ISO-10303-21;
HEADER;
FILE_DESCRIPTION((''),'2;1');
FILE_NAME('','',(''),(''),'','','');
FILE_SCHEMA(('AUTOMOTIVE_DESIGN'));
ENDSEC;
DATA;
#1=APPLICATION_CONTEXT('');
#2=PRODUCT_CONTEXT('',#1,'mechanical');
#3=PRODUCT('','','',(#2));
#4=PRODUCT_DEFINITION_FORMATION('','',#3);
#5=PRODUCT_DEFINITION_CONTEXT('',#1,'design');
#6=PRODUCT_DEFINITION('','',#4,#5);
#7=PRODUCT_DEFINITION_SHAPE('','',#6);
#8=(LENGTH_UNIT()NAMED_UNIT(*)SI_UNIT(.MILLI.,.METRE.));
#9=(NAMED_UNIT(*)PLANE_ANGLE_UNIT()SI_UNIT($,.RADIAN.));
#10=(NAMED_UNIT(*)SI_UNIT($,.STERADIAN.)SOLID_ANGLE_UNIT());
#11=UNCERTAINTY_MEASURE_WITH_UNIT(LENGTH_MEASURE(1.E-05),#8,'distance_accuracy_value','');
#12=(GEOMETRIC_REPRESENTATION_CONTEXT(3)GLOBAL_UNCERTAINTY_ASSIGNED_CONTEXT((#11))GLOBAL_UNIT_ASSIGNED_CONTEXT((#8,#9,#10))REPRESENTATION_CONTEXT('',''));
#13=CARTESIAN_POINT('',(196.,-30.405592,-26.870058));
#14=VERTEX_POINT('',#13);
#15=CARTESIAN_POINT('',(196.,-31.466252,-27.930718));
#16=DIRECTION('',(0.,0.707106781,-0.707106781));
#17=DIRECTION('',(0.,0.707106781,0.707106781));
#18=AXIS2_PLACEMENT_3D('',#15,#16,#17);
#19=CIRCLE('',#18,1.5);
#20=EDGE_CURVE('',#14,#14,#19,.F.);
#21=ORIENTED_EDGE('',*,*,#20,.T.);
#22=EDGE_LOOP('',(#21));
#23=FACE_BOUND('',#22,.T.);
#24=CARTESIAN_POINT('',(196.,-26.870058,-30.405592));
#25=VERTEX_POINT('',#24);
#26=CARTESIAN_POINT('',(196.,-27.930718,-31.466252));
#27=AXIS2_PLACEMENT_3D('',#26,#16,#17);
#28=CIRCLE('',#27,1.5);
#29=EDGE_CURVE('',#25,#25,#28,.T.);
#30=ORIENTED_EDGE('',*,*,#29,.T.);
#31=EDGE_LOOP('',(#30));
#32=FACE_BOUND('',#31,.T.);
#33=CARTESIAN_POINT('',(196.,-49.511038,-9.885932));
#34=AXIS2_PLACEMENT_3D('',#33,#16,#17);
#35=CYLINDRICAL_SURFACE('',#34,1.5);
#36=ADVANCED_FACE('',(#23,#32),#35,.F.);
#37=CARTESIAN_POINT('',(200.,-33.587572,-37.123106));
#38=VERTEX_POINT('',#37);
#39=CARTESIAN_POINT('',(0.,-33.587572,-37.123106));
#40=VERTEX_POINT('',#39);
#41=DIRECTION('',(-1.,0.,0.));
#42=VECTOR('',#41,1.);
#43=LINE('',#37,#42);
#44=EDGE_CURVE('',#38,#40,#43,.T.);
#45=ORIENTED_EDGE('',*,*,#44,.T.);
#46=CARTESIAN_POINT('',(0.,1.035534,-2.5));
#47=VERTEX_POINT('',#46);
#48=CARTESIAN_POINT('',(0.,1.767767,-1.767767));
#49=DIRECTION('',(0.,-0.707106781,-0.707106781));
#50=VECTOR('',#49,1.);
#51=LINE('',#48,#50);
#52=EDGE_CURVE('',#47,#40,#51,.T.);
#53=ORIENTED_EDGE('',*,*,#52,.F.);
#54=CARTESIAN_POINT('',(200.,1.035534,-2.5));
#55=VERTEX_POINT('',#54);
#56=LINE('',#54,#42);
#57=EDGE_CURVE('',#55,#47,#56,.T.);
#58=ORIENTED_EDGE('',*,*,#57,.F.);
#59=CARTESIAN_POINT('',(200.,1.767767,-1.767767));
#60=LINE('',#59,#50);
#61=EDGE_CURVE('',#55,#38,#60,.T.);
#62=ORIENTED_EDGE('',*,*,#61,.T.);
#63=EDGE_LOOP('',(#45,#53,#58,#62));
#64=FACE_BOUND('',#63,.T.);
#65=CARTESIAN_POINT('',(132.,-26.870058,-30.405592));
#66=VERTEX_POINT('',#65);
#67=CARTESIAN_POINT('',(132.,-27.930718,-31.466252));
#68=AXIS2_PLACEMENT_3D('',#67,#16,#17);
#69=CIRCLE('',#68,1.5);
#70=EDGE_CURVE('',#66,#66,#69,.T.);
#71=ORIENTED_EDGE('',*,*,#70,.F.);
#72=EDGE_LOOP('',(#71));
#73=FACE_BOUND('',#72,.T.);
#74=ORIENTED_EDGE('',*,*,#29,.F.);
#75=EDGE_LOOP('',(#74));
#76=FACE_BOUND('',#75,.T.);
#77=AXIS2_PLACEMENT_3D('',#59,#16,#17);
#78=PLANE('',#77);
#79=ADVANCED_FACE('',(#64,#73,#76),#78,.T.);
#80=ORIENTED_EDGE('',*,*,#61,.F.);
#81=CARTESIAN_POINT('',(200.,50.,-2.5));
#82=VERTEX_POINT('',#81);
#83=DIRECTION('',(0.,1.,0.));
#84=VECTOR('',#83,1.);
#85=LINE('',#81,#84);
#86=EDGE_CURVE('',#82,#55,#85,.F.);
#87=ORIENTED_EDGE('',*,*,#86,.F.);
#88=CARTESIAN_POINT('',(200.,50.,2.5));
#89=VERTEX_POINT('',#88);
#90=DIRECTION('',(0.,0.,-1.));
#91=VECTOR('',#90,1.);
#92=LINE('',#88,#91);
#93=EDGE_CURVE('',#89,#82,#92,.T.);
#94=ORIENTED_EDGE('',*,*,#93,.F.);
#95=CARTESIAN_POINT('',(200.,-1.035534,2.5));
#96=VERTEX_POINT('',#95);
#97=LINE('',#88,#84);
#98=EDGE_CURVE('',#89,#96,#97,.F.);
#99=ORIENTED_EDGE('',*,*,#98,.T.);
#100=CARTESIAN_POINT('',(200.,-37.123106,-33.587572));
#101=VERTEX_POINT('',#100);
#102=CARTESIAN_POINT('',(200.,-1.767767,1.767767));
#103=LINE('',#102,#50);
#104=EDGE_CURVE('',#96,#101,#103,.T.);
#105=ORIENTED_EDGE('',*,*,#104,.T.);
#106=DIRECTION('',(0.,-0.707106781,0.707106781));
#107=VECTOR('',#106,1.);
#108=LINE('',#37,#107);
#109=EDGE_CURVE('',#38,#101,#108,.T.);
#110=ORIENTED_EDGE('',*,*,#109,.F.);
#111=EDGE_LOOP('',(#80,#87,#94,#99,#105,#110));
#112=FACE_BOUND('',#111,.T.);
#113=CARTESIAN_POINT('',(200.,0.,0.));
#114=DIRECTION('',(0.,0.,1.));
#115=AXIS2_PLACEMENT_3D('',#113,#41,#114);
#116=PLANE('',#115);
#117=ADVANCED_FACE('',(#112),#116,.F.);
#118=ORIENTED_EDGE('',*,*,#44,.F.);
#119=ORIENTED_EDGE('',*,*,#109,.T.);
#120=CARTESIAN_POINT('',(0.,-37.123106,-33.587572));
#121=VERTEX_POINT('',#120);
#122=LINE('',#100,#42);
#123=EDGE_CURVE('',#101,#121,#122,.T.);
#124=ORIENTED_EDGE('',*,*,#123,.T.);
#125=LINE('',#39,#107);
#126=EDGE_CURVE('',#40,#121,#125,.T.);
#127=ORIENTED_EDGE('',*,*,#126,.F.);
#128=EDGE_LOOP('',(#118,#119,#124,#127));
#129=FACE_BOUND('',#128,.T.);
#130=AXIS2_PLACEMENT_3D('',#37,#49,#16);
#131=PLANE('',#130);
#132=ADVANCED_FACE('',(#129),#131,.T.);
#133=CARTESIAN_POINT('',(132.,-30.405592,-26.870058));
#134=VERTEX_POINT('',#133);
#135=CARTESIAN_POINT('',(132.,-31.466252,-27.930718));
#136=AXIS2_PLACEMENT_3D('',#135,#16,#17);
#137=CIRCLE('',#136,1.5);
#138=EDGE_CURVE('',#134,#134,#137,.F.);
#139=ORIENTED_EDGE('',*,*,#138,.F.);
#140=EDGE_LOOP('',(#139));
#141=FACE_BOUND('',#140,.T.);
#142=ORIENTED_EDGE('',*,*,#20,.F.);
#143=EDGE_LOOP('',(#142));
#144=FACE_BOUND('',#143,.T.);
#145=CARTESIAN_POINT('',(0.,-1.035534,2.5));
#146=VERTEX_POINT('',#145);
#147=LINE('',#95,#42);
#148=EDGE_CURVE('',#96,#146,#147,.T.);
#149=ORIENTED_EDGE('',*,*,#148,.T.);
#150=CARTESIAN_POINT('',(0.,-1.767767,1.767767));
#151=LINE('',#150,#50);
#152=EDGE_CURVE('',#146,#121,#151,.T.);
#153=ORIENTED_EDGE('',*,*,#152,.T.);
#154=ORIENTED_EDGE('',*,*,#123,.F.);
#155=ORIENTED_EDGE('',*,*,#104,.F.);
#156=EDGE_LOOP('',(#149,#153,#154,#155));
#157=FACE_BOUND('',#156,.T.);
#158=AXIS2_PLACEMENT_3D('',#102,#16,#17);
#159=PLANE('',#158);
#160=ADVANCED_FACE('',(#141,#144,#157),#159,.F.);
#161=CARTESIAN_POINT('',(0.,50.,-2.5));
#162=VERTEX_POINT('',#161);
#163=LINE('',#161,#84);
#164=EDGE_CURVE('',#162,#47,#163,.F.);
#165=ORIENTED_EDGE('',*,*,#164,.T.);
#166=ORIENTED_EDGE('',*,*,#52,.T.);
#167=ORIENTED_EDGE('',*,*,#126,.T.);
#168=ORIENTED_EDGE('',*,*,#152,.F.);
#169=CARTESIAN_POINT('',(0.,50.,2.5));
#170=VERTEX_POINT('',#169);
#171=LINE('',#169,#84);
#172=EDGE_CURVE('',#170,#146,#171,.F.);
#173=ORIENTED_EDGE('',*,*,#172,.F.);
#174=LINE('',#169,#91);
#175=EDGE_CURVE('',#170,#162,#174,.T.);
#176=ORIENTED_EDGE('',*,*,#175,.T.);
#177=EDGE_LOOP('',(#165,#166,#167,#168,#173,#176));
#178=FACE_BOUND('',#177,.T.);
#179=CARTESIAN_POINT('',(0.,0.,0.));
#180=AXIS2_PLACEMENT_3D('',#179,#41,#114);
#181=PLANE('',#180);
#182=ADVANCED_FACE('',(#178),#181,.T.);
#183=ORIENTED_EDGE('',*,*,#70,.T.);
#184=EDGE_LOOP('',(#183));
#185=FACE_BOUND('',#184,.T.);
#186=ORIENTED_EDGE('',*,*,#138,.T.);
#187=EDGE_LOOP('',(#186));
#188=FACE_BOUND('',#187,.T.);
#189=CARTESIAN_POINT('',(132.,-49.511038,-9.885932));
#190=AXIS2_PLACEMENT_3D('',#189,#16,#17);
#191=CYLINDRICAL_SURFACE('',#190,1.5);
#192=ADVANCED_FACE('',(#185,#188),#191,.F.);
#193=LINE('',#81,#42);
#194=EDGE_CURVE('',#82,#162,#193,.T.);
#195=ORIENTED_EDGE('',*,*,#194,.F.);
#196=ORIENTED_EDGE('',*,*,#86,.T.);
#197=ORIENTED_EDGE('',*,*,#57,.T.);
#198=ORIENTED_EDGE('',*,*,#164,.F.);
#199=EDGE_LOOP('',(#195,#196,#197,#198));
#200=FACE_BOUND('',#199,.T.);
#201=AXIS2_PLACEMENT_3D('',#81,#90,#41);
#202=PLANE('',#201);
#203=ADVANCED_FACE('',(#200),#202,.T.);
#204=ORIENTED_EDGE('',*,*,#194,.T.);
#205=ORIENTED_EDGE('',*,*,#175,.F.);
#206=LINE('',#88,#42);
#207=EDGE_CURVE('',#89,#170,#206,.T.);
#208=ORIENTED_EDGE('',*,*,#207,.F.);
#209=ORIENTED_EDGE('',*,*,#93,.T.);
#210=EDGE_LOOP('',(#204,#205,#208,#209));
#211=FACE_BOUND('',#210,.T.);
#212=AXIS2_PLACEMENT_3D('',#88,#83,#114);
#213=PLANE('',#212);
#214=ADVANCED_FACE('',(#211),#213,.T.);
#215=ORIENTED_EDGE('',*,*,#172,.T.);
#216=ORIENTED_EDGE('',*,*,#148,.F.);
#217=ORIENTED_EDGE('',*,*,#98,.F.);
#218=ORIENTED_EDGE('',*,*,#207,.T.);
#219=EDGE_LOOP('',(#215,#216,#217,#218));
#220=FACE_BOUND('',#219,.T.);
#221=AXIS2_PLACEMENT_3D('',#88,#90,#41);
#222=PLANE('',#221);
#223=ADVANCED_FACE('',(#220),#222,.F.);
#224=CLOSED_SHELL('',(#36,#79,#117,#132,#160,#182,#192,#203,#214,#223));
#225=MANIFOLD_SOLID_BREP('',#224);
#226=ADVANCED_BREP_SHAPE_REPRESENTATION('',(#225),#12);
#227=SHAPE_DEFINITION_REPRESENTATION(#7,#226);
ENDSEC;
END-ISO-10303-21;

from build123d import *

# Parameters (mm, degrees)
EXTRUDE_THIN1_DEPTH = 200
CUT_EXTRUDE1_REACH  = 210.749
SKETCH3_R           = 1.5


with BuildPart() as part:
    # Sketch2 → Extrude-Thin1 (new body)
    with BuildSketch(Plane(origin=(0, 0, 0), x_dir=(0, 0, -1), z_dir=(1, 0, 0))):
        Polygon((-2.5, 50), (-2.5, -1.035533906), (33.587572106, -37.123106012), (37.123106012, -33.587572106), (2.5, 1.035533906), (2.5, 50), align=None)
    extrude(amount=EXTRUDE_THIN1_DEPTH)

    # Sketch3 → Cut-Extrude1 (cut, up to next)
    with BuildSketch(Plane(origin=(0, 1.767766953, -1.767766953), x_dir=(1, 0, 0), z_dir=(0, 0.7071067811865489, -0.7071067811865462)), mode=Mode.PRIVATE) as cut_extrude1_sk1:
        with Locations(Location((132, 42, 0), (0, 0, 270))):
            Circle(SKETCH3_R)
    cut_extrude1_tool1 = extrude(cut_extrude1_sk1.sketch, amount=-CUT_EXTRUDE1_REACH, mode=Mode.PRIVATE) & part.part
    # Sketch3 → Cut-Extrude1 (cut, up to next)
    with BuildSketch(Plane(origin=(0, 1.767766953, -1.767766953), x_dir=(1, 0, 0), z_dir=(0, 0.7071067811865489, -0.7071067811865462)), mode=Mode.PRIVATE) as cut_extrude1_sk2:
        with Locations(Location((196, 42, 0), (0, 0, 270))):
            Circle(SKETCH3_R)
    cut_extrude1_tool2 = extrude(cut_extrude1_sk2.sketch, amount=-CUT_EXTRUDE1_REACH, mode=Mode.PRIVATE) & part.part
    add(cut_extrude1_tool1.solids().sort_by_distance((132, -27.930718, -31.466252))[0], mode=Mode.SUBTRACT)
    add(cut_extrude1_tool2.solids().sort_by_distance((196, -27.930718, -31.466252))[0], mode=Mode.SUBTRACT)


solid = part.part
